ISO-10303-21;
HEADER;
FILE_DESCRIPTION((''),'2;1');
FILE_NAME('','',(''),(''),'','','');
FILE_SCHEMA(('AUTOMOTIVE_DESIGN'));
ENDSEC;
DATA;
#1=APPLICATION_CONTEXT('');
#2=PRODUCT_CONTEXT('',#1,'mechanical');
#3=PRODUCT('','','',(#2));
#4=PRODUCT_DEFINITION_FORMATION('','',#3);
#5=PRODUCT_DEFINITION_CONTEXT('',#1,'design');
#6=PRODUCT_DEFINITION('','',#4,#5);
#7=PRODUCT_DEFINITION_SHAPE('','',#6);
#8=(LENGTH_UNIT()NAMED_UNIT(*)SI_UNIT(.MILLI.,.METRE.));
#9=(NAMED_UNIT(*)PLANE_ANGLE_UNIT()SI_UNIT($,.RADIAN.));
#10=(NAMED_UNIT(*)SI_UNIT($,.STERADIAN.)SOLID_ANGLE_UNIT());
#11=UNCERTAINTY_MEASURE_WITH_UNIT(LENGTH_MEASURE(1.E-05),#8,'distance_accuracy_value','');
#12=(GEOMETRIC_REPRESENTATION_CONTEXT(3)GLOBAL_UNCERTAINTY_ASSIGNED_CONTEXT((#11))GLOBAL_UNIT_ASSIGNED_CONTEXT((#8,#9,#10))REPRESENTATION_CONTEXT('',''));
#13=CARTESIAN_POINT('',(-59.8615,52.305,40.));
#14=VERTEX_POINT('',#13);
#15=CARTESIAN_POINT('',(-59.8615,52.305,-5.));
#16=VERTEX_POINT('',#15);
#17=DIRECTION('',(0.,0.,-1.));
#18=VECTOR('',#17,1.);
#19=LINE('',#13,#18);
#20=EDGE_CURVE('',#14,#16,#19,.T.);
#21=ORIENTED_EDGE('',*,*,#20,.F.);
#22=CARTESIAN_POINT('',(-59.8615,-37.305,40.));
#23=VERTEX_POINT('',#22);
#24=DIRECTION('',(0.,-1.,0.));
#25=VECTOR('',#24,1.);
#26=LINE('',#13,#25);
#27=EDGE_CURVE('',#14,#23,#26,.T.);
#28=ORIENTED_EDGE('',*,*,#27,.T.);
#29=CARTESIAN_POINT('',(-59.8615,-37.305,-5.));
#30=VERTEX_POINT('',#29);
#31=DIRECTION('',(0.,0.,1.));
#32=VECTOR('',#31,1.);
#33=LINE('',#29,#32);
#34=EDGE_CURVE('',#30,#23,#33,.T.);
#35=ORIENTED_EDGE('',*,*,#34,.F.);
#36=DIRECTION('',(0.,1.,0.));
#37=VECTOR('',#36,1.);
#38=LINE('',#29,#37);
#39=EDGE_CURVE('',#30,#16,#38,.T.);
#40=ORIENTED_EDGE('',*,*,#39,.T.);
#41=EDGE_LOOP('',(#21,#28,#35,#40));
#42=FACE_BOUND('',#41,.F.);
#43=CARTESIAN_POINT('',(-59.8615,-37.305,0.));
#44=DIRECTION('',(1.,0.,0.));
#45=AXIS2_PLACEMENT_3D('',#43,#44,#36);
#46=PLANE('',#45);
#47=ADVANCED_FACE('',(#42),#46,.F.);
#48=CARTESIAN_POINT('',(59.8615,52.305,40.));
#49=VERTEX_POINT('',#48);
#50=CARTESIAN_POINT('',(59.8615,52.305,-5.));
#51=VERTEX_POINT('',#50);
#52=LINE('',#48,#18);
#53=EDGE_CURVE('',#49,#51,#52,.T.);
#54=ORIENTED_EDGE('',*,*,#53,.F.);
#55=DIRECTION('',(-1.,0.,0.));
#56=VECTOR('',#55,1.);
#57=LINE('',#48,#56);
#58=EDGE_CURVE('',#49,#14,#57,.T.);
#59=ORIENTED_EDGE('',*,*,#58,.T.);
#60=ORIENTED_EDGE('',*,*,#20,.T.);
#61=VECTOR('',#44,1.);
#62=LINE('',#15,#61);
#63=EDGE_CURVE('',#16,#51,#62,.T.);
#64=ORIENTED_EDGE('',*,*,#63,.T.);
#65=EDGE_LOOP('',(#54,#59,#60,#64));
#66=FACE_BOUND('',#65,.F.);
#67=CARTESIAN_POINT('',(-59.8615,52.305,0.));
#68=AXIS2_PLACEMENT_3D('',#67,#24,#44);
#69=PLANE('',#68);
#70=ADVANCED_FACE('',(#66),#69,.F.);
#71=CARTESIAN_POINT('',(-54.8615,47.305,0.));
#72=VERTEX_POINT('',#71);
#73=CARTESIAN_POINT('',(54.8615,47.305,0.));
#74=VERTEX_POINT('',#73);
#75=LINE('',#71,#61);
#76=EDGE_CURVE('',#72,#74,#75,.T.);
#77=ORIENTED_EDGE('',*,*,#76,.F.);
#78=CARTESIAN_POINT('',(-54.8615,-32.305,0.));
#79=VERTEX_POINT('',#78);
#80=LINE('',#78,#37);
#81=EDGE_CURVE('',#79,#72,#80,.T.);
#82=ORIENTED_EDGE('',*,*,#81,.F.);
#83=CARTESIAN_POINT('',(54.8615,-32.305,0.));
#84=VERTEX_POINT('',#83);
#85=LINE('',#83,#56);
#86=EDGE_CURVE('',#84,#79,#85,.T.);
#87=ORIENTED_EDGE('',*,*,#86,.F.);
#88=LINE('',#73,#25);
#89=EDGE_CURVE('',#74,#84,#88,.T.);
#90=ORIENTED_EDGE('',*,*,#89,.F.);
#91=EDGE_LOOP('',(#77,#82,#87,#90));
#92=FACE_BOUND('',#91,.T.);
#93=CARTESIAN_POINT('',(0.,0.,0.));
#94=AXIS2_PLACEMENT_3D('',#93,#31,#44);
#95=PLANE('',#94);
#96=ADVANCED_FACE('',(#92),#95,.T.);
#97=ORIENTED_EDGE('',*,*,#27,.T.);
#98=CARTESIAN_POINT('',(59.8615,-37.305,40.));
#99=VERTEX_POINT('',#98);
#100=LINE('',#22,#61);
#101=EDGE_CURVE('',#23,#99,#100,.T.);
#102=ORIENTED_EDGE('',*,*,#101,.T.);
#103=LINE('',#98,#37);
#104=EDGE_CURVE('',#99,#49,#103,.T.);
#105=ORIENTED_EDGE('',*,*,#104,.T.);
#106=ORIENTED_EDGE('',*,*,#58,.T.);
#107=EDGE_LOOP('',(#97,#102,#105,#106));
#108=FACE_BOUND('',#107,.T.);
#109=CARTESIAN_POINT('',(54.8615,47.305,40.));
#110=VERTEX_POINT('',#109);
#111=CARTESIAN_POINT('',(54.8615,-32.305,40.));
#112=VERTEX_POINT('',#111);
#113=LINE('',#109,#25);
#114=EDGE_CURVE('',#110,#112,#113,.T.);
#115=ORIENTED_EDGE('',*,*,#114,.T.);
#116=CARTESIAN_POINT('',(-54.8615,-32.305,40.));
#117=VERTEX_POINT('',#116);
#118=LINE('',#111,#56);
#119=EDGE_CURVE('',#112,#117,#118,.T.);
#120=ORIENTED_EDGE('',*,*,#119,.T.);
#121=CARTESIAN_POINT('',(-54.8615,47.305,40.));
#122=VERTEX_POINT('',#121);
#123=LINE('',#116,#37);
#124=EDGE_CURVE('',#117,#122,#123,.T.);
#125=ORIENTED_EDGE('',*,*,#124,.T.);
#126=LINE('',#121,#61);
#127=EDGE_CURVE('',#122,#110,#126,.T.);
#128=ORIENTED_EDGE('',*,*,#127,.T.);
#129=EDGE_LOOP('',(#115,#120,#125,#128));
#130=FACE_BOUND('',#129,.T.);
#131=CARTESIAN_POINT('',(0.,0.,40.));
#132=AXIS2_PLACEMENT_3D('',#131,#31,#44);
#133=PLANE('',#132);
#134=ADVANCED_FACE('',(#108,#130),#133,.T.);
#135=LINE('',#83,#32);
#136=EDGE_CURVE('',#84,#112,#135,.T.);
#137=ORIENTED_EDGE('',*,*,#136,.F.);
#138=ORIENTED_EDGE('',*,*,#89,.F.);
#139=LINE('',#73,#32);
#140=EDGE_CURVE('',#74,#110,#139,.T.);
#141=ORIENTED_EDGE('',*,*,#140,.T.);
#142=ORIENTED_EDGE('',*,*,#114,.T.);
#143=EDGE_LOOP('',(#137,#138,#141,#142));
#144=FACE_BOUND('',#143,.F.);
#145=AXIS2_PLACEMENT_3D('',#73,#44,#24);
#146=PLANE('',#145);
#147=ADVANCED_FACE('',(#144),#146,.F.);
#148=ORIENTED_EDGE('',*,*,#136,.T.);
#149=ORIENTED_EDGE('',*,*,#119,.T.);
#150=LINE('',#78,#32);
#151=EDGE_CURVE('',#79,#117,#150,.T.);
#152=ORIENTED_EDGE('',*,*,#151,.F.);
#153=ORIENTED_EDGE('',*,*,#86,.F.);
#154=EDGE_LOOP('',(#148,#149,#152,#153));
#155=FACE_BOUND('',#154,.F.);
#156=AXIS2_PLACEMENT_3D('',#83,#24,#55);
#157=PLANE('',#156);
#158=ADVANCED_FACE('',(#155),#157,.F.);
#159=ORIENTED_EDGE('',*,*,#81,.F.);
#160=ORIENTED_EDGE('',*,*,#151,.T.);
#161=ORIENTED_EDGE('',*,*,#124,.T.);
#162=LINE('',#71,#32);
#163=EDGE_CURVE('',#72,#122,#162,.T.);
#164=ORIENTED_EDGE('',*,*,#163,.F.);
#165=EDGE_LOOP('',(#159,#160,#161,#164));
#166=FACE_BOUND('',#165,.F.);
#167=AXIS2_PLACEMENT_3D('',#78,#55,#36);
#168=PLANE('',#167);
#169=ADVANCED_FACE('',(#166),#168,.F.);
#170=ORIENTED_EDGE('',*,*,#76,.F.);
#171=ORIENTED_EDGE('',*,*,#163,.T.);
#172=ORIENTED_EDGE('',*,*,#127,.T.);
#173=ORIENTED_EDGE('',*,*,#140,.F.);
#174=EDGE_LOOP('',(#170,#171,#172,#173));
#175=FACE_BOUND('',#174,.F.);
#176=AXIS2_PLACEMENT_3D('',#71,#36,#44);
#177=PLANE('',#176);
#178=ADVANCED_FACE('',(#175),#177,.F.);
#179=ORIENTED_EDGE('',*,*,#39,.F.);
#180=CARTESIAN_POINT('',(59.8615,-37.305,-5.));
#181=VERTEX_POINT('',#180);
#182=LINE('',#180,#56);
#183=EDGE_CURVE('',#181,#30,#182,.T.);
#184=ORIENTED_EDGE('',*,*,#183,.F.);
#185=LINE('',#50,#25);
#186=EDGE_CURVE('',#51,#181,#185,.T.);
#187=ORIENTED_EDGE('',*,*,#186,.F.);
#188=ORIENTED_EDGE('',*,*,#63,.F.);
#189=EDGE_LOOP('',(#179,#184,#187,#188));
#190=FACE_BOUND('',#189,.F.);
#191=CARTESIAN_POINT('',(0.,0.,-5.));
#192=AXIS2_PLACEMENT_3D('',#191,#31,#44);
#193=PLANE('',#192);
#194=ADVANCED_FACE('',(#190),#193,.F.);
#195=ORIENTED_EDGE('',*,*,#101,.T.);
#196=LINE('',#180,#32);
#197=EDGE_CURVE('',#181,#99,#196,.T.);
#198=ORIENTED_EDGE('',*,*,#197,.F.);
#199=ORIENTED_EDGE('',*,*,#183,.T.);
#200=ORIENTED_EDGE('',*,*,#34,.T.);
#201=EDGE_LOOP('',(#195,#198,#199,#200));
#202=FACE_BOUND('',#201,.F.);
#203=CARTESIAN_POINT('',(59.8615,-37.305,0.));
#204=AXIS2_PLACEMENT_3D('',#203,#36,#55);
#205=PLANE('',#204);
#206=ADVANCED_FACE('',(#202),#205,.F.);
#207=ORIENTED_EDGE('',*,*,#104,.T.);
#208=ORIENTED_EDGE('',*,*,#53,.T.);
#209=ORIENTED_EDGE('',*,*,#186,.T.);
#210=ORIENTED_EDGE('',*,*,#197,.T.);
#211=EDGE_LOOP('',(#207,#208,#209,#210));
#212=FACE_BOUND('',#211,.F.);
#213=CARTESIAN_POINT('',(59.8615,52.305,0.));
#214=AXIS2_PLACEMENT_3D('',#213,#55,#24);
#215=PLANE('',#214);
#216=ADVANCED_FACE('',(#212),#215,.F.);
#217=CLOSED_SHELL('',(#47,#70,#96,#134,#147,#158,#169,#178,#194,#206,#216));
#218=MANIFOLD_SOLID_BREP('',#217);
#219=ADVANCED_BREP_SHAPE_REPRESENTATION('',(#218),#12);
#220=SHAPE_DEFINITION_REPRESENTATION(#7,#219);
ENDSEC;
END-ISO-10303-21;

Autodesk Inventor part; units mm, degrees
ref_plane "YZ Plane" through (0, 0, 0) normal (1, 0, 0) x (0, 1, 0)
ref_plane "XZ Plane" through (0, 0, 0) normal (0, 1, 0) x (-1, 0, 0)
ref_plane "XY Plane" through (0, 0, 0) normal (0, 0, 1) x (1, 0, 0)
sketch "Sketch1" plane through (0, 0, 0) normal (0, 0, 1) x (1, 0, 0)
  line L0 (-43.815, -27.305) -> (43.815, -27.305) construction
  line L1 (43.815, -27.305) -> (43.815, 27.305) construction
  line L2 (43.815, 27.305) -> (-43.815, 27.305) construction
  line L3 (-43.815, 27.305) -> (-43.815, -27.305) construction
  line L4 (-43.815, -27.305) -> (43.815, 27.305) construction
  line L5 (43.815, -27.305) -> (-43.815, 27.305) construction
  line L6 (-59.8615, -37.305) -> (59.8615, 37.305) construction
  line L7 (59.8615, -37.305) -> (-59.8615, 37.305) construction
  line L8 (-59.8615, -37.305) -> (-59.8615, 52.305)
  line L9 (-59.8615, 52.305) -> (59.8615, 52.305)
  line L10 (59.8615, 52.305) -> (59.8615, -37.305)
  line L11 (-43.815, 27.305) -> (-43.815, 32.305)
  line L12 (59.8615, -37.305) -> (-59.8615, -37.305)
  point P0 (0, 0)
  dimension "d10" = 87.63
  dimension "d11" = 54.61
  dimension "d22" = 5
  dimension "d23" = 20
extrude "Extrusion1" add sketch "Sketch1" against normal blind 5
sketch "Sketch2" plane through (0, 0, 0) normal (0, 0, 1) x (1, 0, 0)
  line L0 (59.8615, -37.305) -> (59.8615, 52.305) projected
  line L1 (59.8615, 52.305) -> (-59.8615, 52.305) projected
  line L2 (-59.8615, 52.305) -> (-59.8615, -37.305) projected
  line L3 (-59.8615, -37.305) -> (59.8615, -37.305) projected
  line L4 (54.8615, 47.305) -> (54.8615, -32.305)
  line L5 (54.8615, -32.305) -> (-54.8615, -32.305)
  line L6 (-54.8615, -32.305) -> (-54.8615, 47.305)
  line L7 (-54.8615, 47.305) -> (54.8615, 47.305)
  dimension "d24" = 5
extrude "Extrusion2" add sketch "Sketch2" along normal blind 40
sketch "Sketch3" plane through (0, 0, 0) normal (0, 0, 1) x (1, 0, 0)
  line L0 (-54.8615, 32.305) -> (-54.8615, -32.305) projected
  line L1 (-54.8615, -32.305) -> (54.8615, -32.305) projected
  line L2 (54.8615, -32.305) -> (54.8615, 32.305) projected
  line L3 (54.8615, 32.305) -> (-54.8615, 32.305) projected
  circle A0 centre (41.275, -24.765) radius 1.5
  line L4 (-43.815, -27.305) -> (43.815, -27.305) construction
  line L5 (43.815, -27.305) -> (43.815, 27.305) construction
  line L6 (0, -39.0866) -> (0, 42.4673)
  line L7 (66.4004, 0) -> (-64.4069, 0)
  circle A1 centre (41.275, -24.765) radius 6.3 construction
  line L8 (44.425, -30.221) -> (38.125, -30.221)
  line L9 (38.125, -30.221) -> (34.975, -24.765)
  line L10 (34.975, -24.765) -> (38.125, -19.309)
  line L11 (38.125, -19.309) -> (44.425, -19.309)
  line L12 (44.425, -19.309) -> (47.575, -24.765)
  line L13 (44.425, -30.221) -> (47.575, -24.765)
  line L14 (31.8377, -24.765) -> (36.5564, -32.9379)
  line L15 (36.5564, -32.9379) -> (45.9936, -32.9379)
  line L16 (45.9936, -32.9379) -> (50.7123, -24.765)
  line L17 (50.7123, -24.765) -> (45.9936, -16.5921)
  line L18 (45.9936, -16.5921) -> (36.5564, -16.5921)
  line L19 (36.5564, -16.5921) -> (31.8377, -24.765)
  point P0 (0, 0)
  dimension "d17" = 2.54
  dimension "d18" = 2.54
  dimension "d19" = 3
  dimension "d20" = 6.3
properties part number "Base Modulo Central"
